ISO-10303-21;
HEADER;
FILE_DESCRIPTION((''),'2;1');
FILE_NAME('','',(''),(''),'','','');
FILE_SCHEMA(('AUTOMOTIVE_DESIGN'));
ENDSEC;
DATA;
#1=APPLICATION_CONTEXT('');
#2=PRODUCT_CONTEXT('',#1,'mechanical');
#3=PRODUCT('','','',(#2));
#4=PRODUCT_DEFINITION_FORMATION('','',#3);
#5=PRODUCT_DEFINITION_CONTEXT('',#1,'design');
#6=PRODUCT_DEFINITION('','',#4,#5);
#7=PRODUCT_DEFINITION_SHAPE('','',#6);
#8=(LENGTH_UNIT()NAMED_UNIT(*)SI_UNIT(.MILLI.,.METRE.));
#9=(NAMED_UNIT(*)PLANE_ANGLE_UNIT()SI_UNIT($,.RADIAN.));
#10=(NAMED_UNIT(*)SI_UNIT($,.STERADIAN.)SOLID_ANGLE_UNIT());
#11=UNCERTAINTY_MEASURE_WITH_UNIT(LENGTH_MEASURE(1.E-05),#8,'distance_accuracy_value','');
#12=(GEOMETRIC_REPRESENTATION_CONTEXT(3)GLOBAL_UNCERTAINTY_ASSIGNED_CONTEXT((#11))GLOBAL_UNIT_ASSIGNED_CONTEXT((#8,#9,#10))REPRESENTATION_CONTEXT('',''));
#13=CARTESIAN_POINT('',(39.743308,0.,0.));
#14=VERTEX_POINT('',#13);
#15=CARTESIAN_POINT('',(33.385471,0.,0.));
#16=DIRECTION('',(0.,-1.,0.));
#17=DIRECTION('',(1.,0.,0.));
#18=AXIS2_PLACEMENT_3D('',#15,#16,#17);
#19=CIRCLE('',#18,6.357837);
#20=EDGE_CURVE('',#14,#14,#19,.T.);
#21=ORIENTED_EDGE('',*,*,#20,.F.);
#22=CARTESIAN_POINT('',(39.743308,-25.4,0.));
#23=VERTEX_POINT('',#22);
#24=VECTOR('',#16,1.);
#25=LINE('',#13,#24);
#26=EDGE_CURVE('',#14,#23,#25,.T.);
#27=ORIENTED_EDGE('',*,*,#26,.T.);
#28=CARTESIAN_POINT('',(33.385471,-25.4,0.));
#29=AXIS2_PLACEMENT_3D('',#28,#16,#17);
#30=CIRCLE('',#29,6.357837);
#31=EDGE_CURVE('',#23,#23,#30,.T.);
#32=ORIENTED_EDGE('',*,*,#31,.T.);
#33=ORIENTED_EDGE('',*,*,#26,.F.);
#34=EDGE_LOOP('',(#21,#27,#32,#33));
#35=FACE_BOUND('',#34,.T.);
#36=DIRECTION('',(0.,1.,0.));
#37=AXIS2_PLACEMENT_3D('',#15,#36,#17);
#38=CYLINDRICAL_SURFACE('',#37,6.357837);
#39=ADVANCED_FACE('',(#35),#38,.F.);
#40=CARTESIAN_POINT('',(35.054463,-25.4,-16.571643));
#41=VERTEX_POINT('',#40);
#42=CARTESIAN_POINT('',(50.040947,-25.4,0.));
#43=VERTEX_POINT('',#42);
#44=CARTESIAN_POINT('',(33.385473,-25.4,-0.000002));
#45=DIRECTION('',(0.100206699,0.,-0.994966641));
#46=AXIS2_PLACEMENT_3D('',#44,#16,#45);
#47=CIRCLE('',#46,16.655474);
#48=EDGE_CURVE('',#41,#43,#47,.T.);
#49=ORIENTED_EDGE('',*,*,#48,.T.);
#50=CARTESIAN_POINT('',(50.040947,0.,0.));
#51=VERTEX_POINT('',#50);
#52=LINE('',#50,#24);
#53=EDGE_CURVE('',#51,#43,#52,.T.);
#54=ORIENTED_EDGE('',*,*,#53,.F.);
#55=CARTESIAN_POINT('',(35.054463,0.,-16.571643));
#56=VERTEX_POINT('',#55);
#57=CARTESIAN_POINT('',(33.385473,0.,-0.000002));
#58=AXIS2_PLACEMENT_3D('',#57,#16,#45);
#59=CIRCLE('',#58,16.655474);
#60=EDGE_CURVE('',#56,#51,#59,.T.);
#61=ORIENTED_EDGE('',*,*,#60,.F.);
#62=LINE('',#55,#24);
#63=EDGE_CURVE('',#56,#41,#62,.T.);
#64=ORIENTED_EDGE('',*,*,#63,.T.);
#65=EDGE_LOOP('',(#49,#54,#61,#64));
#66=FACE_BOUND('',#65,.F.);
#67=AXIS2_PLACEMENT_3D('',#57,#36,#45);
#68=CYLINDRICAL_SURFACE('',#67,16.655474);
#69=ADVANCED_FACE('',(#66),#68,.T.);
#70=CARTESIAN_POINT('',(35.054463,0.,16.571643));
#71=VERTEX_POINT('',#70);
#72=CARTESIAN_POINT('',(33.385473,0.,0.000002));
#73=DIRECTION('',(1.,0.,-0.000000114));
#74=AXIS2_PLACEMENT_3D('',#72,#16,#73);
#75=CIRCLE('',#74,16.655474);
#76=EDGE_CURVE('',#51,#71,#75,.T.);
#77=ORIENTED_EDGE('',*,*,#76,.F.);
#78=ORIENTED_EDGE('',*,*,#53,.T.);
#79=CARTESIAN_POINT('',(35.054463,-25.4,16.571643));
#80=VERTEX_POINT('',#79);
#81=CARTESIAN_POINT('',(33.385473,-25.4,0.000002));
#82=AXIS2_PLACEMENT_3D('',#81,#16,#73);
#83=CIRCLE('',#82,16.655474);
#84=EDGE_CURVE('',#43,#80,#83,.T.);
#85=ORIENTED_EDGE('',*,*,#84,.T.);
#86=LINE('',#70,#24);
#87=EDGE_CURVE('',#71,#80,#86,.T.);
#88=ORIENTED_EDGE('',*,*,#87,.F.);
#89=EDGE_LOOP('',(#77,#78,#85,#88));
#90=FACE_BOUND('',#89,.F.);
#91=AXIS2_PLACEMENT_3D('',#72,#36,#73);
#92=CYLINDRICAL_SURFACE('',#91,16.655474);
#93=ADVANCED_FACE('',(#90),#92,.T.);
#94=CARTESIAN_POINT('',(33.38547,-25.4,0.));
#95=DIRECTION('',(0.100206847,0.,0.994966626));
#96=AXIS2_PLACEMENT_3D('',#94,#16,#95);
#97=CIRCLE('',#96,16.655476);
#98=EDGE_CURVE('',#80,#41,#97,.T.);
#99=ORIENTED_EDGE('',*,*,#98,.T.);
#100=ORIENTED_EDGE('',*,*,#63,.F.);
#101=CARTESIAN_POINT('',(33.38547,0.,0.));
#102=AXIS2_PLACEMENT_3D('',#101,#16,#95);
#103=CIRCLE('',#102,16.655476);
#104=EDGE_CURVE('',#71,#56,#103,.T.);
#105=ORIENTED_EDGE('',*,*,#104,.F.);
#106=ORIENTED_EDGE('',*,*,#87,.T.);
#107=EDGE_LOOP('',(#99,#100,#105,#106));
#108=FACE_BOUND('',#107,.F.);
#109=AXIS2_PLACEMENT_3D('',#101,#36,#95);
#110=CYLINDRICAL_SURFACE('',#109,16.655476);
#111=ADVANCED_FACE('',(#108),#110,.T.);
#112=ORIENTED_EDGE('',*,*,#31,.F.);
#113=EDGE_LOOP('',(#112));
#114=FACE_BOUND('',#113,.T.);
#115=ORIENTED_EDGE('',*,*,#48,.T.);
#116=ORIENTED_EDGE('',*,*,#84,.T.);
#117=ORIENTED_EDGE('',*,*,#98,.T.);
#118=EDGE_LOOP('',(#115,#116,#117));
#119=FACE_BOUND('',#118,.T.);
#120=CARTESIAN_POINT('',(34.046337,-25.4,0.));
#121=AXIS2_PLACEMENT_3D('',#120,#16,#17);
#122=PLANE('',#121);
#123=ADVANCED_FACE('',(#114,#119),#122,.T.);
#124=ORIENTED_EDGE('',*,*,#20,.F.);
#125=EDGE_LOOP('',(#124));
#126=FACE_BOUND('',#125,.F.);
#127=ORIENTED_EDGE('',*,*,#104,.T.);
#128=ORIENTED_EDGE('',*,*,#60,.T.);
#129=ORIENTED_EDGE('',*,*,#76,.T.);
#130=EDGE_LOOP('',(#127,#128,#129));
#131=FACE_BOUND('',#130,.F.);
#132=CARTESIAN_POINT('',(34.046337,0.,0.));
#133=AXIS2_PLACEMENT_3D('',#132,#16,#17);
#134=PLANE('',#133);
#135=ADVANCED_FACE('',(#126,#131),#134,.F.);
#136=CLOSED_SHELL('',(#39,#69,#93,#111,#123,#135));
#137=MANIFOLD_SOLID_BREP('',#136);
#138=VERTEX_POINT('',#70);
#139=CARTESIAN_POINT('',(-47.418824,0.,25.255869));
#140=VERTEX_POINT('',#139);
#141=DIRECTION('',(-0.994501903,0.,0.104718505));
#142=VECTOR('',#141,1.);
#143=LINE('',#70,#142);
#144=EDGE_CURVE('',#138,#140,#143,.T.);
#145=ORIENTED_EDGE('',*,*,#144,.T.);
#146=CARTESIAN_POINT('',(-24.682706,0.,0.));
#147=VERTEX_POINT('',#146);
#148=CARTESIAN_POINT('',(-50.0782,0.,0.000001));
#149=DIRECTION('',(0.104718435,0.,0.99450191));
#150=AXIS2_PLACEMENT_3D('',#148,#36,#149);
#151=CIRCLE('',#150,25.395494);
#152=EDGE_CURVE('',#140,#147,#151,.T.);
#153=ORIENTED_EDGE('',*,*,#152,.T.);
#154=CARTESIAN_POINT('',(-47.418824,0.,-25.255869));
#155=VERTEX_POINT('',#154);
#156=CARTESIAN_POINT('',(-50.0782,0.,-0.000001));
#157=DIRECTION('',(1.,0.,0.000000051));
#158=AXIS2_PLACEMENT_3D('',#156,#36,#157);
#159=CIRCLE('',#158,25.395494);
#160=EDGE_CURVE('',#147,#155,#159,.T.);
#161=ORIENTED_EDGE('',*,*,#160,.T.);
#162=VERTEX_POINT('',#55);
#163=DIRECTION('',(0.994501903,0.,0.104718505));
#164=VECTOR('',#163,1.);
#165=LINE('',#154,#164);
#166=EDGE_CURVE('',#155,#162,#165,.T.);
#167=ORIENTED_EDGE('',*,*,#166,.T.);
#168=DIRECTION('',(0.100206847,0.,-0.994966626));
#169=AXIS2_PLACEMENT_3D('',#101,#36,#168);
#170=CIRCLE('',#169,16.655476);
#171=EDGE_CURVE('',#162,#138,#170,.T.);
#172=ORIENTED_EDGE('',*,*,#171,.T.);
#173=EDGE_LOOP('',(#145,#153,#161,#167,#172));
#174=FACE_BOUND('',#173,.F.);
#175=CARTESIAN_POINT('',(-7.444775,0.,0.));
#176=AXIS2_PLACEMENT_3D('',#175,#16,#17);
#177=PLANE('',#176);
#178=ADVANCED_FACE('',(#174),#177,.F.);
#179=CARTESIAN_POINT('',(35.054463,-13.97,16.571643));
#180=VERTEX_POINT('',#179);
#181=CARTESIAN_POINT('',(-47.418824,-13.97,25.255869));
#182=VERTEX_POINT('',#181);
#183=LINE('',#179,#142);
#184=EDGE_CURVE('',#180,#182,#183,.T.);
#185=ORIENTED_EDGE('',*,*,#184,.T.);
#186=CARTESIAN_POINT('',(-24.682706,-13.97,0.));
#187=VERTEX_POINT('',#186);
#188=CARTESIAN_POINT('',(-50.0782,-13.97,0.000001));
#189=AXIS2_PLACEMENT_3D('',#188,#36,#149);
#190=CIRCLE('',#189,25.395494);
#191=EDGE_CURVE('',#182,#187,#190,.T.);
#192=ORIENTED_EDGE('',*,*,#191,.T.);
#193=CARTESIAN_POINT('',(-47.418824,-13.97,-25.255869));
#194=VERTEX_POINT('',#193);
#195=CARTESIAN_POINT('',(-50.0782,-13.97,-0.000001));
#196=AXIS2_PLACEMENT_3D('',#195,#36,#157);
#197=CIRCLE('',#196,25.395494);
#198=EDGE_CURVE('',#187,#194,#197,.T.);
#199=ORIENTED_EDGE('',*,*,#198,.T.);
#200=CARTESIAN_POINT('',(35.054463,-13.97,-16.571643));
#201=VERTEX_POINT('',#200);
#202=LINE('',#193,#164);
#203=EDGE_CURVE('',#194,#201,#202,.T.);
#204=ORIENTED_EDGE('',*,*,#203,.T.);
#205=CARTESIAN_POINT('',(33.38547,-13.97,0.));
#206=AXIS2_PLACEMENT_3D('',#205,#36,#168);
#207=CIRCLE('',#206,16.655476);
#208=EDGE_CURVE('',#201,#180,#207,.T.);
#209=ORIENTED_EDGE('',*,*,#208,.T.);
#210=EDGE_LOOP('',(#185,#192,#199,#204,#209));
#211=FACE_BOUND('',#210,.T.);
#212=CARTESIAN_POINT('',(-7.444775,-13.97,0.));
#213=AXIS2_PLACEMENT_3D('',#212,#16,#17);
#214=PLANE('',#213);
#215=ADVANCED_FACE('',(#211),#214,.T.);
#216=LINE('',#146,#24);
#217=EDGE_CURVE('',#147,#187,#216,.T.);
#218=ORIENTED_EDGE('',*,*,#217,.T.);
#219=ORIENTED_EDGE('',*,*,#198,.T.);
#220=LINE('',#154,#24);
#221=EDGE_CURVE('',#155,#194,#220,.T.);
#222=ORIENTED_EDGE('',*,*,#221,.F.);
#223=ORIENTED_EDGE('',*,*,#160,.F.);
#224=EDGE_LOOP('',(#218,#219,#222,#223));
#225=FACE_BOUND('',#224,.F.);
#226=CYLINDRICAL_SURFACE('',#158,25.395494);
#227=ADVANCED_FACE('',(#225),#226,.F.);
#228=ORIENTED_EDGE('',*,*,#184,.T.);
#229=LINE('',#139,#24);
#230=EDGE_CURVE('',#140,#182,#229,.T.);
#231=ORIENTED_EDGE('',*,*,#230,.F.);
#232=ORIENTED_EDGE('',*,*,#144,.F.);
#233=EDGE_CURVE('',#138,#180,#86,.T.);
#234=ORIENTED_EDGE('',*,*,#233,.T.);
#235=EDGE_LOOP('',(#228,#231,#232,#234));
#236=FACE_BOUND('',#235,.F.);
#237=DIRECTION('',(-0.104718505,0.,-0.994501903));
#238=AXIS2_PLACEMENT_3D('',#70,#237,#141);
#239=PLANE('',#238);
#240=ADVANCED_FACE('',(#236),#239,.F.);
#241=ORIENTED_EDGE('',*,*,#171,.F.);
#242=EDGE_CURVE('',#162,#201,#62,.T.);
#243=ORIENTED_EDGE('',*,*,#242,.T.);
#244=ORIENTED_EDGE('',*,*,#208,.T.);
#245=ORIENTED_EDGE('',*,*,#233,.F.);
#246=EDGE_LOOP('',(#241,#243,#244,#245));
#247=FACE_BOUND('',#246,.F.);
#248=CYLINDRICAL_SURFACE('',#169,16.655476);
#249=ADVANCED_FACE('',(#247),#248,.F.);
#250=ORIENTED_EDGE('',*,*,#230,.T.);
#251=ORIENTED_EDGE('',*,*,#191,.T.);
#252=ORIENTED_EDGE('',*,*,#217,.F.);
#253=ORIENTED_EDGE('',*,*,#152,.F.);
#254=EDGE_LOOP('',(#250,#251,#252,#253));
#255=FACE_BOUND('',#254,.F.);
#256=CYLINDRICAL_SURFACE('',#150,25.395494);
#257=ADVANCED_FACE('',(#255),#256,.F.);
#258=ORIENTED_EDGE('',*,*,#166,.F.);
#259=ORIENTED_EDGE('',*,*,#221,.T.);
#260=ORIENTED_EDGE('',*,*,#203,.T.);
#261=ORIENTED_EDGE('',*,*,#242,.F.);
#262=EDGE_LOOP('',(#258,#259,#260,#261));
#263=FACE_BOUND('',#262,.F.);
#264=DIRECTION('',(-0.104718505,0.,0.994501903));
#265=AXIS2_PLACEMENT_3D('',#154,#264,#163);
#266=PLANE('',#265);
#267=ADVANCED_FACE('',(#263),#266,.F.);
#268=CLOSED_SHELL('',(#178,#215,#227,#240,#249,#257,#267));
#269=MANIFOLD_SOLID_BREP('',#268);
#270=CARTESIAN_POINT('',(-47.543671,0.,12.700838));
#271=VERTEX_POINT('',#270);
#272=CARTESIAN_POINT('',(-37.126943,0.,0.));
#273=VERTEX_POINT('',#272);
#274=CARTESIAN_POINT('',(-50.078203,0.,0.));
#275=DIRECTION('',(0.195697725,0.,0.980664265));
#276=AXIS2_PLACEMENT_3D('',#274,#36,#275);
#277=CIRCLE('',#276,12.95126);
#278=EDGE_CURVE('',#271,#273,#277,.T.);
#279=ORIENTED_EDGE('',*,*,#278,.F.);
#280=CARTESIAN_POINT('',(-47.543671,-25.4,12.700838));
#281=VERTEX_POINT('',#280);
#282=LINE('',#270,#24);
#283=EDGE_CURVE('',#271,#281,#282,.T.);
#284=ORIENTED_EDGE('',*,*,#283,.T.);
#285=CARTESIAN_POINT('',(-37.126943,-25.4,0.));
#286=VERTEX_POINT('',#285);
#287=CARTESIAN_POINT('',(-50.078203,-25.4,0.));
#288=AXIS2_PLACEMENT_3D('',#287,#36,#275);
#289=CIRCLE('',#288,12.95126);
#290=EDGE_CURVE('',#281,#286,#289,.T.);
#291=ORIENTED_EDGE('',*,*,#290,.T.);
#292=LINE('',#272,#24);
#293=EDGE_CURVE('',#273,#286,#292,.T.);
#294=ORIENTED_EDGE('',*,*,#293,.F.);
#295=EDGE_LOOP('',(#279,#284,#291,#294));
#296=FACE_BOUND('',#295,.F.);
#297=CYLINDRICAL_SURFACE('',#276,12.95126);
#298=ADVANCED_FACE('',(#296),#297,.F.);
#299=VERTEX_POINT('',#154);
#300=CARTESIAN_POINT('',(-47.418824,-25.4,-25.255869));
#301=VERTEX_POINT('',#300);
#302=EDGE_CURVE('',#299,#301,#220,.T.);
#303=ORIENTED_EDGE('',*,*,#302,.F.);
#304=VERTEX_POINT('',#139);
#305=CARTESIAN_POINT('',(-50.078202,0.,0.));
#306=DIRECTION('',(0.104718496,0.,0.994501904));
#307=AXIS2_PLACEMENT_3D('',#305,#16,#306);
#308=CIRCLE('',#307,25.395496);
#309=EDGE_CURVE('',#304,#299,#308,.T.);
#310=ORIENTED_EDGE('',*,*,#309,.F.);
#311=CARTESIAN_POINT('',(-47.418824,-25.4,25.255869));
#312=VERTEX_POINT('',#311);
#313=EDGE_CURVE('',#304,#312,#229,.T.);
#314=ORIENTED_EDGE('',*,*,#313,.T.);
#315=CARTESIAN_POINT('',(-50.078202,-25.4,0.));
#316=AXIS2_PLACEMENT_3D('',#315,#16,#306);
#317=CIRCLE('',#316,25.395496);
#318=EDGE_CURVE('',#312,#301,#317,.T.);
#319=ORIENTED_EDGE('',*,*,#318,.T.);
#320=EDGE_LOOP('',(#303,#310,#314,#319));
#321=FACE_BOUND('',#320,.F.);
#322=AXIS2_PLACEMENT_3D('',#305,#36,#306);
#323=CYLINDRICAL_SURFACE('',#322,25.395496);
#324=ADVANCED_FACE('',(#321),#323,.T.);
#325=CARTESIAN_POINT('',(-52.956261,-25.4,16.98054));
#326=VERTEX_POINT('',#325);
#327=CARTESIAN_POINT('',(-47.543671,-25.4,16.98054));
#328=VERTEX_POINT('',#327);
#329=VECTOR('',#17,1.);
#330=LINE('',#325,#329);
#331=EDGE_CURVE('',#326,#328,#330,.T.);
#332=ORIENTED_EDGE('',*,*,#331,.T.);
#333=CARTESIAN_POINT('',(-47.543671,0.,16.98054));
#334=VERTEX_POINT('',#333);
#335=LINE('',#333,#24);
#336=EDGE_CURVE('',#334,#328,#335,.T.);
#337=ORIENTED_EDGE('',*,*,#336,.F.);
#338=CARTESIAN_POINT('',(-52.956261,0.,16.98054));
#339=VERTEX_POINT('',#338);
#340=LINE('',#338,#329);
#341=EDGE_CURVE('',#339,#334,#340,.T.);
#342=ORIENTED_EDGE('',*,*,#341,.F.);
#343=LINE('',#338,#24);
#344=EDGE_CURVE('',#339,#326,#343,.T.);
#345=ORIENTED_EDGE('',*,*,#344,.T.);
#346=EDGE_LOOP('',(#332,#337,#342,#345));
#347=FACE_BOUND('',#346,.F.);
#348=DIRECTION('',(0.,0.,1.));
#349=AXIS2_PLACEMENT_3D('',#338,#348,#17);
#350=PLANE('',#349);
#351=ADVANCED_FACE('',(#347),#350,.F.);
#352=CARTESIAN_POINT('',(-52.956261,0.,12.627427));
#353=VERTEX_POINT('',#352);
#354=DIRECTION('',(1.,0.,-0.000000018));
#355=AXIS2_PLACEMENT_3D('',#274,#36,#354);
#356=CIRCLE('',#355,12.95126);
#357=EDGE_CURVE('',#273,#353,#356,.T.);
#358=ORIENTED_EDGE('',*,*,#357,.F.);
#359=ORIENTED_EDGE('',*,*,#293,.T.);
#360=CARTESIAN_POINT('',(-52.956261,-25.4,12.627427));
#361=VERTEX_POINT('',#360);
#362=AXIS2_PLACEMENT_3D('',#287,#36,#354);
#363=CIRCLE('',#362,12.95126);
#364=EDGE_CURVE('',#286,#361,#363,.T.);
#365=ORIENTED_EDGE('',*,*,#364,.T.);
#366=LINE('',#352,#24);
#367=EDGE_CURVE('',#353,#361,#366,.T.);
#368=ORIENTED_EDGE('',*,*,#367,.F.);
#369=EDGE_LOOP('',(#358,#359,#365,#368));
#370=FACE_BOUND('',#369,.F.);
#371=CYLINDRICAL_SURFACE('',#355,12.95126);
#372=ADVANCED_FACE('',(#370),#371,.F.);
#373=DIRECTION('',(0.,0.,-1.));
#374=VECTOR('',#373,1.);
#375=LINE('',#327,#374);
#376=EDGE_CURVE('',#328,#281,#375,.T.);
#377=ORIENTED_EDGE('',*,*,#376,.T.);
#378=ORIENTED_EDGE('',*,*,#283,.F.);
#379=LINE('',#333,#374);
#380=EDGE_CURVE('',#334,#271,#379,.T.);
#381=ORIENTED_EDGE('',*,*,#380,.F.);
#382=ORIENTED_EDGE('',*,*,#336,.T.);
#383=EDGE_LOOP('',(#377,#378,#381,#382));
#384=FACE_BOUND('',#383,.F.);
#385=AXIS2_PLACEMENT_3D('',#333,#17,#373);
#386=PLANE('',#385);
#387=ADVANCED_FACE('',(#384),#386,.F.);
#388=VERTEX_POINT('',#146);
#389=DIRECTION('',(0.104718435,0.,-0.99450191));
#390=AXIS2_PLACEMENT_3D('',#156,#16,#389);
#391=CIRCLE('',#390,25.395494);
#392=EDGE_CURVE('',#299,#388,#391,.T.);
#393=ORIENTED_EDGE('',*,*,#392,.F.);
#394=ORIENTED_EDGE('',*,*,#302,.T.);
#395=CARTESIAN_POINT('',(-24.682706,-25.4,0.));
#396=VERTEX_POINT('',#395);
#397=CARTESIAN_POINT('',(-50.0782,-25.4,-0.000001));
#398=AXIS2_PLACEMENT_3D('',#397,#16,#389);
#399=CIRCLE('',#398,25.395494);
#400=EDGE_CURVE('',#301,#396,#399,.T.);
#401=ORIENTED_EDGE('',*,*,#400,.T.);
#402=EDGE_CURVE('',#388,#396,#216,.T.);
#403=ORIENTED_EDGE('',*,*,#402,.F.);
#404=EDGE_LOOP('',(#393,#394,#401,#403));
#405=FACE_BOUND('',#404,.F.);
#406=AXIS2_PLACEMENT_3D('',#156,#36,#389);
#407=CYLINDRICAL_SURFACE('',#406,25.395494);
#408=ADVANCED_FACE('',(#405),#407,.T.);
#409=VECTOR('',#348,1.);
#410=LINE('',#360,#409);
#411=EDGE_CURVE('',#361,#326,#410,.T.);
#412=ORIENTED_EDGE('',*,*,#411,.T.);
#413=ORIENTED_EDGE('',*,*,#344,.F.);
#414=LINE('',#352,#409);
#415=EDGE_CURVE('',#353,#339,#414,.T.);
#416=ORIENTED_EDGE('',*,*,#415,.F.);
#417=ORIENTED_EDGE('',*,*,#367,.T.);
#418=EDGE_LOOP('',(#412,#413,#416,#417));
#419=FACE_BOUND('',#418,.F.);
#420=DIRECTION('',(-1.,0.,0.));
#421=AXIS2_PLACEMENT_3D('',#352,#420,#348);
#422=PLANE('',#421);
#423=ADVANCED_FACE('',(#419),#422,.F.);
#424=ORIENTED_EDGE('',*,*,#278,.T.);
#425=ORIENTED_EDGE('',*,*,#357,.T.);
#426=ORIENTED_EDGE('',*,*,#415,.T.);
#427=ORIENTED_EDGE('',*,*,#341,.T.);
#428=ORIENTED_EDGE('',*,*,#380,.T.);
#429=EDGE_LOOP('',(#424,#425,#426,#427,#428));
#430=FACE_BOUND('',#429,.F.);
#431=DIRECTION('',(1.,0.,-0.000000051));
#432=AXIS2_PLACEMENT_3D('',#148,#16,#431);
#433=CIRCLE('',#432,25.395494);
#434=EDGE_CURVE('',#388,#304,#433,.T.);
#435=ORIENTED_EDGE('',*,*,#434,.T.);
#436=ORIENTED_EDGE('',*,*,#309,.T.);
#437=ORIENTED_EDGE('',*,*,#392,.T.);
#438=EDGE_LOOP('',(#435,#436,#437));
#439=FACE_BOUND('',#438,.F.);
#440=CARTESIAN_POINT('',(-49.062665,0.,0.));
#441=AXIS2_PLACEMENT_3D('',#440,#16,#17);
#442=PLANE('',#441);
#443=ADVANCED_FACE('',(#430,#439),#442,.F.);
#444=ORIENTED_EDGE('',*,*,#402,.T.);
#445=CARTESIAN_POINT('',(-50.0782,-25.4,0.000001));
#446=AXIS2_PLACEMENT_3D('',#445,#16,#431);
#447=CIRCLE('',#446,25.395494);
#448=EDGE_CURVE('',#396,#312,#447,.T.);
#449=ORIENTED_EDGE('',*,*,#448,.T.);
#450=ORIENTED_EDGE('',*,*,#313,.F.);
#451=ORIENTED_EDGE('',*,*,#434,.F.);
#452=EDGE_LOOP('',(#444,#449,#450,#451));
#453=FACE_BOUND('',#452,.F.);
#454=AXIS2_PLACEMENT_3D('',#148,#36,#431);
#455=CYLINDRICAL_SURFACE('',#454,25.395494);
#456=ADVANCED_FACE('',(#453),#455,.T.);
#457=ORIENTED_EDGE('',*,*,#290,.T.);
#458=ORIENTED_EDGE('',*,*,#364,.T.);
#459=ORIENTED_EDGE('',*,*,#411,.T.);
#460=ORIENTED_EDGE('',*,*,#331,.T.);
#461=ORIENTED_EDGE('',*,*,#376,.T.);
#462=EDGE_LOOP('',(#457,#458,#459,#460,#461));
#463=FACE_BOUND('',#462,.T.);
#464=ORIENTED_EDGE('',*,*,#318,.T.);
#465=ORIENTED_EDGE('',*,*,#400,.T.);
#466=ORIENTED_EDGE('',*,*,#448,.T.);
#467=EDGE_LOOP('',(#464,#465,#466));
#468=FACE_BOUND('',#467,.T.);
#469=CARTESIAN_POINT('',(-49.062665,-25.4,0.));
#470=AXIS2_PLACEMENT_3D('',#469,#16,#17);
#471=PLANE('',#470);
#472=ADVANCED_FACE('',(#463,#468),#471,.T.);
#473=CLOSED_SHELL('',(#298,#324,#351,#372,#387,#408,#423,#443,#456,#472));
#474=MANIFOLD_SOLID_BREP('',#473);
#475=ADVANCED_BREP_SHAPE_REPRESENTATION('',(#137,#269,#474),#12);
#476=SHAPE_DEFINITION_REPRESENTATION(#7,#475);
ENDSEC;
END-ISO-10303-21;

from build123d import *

# Parameters (mm, degrees)
F1_DEPTH = 25.4
F0_R     = 6.357837
F2_DEPTH = 25.4
F3_DEPTH = 13.97


with BuildPart() as f1:
    # F0 (on Front) → F1 (new body)
    with BuildSketch(Plane.XZ):
        with BuildLine():
            ThreePointArc((-47.418824, -25.255869), (-31.204047, -16.991101), (-24.682706, 0))
            ThreePointArc((-24.682706, 0), (-31.204047, 16.991101), (-47.418824, 25.255869))
            ThreePointArc((-47.418824, 25.255869), (-75.473698, 0), (-47.418824, -25.255869))
        make_face()
        with BuildLine():
            ThreePointArc((-47.543671, 12.700838), (-40.0642, 8.213092), (-37.126943, 0))
            ThreePointArc((-37.126943, 0), (-58.154731, -10.124466), (-52.956261, 12.627427))
            Line((-52.956261, 12.627427), (-52.956261, 16.98054))
            Line((-52.956261, 16.98054), (-47.543671, 16.98054))
            Line((-47.543671, 16.98054), (-47.543671, 12.700838))
        make_face(mode=Mode.SUBTRACT)
    extrude(amount=F1_DEPTH)


with BuildPart() as f2:
    # F0 (on Front) → F2 (new body)
    with BuildSketch(Plane.XZ):
        with BuildLine():
            ThreePointArc((50.040947, 0), (45.738664, 11.17155), (35.054463, 16.571643))
            ThreePointArc((35.054463, 16.571643), (16.729994, 0), (35.054463, -16.571643))
            ThreePointArc((35.054463, -16.571643), (45.738664, -11.17155), (50.040947, 0))
        make_face()
        with Locations((33.385471, 0)):
            Circle(F0_R, mode=Mode.SUBTRACT)
    extrude(amount=F2_DEPTH)


with BuildPart() as f3:
    # F0 (on Front) → F3 (new body)
    with BuildSketch(Plane.XZ):
        with BuildLine():
            ThreePointArc((-47.418824, 25.255869), (-31.204047, 16.991101), (-24.682706, 0))
            ThreePointArc((-24.682706, 0), (-31.204047, -16.991101), (-47.418824, -25.255869))
            Line((-47.418824, -25.255869), (35.054463, -16.571643))
            ThreePointArc((35.054463, -16.571643), (16.729994, 0), (35.054463, 16.571643))
            Line((35.054463, 16.571643), (-47.418824, 25.255869))
        make_face()
    extrude(amount=F3_DEPTH)


solid = Compound([f1.part, f2.part, f3.part])
